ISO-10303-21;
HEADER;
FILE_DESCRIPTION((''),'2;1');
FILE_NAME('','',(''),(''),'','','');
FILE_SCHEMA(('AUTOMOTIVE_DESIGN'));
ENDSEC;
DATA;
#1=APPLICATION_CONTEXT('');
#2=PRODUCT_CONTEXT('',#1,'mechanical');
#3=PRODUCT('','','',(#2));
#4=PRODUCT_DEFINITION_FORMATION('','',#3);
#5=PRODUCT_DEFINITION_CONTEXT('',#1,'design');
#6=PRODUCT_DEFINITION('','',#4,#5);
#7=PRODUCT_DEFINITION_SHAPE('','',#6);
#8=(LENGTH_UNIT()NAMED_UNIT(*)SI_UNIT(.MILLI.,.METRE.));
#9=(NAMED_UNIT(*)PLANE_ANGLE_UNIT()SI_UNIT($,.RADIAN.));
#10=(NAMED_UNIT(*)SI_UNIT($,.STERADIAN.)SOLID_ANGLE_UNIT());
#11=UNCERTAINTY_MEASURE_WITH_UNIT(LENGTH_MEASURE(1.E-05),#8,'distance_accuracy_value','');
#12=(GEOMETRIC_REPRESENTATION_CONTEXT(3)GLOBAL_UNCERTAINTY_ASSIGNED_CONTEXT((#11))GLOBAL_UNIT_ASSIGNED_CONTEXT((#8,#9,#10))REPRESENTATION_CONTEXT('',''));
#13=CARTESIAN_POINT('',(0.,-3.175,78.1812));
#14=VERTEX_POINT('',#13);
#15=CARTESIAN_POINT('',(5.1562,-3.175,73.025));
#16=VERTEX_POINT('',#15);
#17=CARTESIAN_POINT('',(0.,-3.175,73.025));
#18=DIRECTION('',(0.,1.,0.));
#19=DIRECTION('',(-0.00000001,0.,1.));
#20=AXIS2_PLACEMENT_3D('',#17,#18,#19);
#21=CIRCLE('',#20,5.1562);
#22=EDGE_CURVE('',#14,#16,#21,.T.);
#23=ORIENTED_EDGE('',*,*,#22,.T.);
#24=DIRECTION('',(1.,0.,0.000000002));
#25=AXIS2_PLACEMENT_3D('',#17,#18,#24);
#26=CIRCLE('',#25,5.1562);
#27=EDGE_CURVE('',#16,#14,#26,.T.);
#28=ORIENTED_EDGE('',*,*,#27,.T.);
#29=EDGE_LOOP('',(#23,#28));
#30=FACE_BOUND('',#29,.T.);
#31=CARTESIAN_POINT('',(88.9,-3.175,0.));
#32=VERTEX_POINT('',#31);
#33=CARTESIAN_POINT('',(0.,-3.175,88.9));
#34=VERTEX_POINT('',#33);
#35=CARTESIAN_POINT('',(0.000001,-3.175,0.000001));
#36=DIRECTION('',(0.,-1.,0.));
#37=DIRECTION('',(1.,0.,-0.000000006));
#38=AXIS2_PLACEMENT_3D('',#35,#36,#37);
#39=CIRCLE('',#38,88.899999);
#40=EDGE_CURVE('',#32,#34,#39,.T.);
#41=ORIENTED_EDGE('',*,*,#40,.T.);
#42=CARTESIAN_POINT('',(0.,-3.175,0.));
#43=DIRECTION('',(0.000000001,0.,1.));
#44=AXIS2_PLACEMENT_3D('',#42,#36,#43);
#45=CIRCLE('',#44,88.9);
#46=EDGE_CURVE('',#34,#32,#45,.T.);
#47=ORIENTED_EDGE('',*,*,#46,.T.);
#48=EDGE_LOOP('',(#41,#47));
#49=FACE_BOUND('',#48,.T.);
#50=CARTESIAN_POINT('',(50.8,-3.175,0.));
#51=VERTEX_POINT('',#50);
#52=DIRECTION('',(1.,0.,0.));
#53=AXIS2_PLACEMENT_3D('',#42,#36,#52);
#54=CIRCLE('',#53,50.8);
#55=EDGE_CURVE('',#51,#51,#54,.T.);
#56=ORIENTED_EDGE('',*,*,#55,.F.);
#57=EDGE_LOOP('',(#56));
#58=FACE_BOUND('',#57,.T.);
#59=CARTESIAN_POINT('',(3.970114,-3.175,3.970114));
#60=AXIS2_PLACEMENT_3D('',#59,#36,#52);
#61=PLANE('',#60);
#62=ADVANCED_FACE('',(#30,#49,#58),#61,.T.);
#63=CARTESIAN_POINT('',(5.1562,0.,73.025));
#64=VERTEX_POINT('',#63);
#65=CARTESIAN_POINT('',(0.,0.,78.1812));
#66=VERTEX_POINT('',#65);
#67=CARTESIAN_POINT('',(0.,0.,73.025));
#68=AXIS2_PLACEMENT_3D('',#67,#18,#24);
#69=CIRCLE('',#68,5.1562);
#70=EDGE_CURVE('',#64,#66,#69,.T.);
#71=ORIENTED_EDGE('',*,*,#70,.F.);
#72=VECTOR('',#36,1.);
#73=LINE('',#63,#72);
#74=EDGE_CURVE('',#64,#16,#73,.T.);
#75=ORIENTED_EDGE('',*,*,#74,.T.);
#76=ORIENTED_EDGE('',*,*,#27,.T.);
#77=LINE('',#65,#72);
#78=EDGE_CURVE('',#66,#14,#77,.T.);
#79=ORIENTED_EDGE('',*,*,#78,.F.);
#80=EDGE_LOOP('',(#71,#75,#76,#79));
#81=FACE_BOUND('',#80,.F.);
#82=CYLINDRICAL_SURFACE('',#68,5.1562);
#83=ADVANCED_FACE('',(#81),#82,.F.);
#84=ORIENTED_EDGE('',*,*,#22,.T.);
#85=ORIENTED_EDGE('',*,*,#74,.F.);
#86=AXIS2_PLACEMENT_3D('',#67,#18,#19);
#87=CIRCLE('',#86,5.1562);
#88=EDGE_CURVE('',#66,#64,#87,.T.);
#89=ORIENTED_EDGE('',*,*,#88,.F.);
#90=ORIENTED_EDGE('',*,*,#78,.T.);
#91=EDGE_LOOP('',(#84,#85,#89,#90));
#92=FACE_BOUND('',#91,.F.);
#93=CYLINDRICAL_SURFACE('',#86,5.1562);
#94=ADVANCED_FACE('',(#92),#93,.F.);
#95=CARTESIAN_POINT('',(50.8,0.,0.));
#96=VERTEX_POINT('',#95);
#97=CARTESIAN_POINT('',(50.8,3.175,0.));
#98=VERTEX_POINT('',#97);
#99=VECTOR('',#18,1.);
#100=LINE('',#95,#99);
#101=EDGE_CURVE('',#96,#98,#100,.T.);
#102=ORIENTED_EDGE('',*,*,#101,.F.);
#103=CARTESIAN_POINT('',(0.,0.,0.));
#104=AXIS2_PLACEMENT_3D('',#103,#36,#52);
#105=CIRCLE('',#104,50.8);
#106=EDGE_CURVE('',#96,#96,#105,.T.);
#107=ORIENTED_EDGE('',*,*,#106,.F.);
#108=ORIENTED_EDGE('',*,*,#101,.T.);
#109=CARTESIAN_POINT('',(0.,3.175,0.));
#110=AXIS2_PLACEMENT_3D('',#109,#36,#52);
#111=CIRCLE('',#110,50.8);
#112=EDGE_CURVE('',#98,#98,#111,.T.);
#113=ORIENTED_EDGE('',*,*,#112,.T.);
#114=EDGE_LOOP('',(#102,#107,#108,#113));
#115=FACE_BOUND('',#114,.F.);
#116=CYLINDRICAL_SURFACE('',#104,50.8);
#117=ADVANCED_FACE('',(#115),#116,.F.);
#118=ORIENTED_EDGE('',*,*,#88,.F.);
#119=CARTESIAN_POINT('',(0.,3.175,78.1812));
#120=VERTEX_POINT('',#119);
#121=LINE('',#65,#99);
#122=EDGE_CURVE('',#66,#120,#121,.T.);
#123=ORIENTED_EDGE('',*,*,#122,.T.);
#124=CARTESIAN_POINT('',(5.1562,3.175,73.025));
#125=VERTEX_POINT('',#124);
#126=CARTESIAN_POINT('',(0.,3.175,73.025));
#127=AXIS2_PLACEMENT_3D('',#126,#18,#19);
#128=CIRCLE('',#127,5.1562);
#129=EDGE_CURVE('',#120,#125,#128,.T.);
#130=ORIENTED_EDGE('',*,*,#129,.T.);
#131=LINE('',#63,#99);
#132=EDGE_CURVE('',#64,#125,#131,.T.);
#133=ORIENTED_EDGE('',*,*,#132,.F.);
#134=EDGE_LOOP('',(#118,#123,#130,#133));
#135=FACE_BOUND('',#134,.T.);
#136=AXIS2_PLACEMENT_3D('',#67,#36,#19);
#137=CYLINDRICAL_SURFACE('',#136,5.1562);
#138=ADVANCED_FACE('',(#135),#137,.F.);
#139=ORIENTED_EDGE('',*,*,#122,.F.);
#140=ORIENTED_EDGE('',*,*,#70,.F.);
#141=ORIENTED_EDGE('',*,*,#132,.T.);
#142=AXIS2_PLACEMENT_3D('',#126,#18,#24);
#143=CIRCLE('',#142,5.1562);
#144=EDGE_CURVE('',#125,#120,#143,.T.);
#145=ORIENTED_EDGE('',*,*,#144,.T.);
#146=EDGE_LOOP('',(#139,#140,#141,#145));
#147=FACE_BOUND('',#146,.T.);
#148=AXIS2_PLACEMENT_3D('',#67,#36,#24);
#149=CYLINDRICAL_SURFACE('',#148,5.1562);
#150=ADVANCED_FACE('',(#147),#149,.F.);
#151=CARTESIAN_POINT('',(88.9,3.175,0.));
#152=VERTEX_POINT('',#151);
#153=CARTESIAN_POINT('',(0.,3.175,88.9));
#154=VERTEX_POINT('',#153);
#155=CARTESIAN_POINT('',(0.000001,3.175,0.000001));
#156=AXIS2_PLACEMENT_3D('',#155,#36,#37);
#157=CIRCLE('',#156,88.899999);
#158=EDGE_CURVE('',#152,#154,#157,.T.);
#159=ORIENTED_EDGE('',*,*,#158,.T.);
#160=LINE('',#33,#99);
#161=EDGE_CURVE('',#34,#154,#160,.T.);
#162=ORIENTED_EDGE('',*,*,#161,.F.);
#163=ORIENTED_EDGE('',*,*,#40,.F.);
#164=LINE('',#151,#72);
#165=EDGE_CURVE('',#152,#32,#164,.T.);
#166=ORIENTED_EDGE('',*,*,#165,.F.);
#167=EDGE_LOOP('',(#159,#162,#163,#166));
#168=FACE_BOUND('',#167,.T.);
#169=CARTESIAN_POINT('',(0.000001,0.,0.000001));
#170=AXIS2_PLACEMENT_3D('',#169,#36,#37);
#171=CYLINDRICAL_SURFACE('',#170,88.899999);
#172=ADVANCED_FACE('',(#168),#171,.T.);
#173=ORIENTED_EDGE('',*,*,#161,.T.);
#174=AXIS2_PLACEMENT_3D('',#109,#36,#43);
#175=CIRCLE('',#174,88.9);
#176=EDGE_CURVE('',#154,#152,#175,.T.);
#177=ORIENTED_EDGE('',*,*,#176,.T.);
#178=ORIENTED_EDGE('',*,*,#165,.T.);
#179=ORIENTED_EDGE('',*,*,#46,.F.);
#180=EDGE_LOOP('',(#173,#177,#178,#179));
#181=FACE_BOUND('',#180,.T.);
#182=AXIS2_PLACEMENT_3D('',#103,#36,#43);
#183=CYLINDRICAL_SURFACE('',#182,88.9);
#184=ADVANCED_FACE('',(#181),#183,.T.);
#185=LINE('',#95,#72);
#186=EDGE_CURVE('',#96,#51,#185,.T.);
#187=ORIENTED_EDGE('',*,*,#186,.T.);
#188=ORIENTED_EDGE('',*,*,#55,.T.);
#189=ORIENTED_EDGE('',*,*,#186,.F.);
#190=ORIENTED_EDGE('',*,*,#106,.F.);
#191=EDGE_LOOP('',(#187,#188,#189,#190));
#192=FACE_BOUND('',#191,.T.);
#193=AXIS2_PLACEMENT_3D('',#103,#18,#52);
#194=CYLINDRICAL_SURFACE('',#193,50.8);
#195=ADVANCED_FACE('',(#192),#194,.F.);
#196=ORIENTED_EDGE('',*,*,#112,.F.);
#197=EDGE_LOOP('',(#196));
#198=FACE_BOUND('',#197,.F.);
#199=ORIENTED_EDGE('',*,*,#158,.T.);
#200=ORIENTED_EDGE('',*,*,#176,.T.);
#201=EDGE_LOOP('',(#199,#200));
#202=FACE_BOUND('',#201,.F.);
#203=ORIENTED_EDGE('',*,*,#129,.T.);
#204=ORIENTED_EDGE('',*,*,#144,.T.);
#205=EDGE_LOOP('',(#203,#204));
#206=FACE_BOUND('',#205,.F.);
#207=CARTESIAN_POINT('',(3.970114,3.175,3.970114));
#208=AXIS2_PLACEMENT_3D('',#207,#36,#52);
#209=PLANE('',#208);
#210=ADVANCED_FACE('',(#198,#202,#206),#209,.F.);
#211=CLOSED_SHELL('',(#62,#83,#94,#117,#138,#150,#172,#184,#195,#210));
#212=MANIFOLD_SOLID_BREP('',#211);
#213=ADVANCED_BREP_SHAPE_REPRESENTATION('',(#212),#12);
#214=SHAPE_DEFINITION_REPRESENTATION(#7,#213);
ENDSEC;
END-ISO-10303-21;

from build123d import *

# Parameters (mm, degrees)
F0_R     = 50.8
F1_DEPTH = 3.175


with BuildPart() as f1:
    # F0 (on Front) → F1 (new body, symmetric)
    with BuildSketch(Plane.XZ):
        with BuildLine():
            ThreePointArc((0, 88.9), (-62.861793, -62.861793), (88.9, 0))
            ThreePointArc((88.9, 0), (62.861793, 62.861793), (0, 88.9))
        make_face()
        Circle(F0_R, mode=Mode.SUBTRACT)
        with BuildLine():
            ThreePointArc((5.1562, 73.025), (-3.645984, 69.379016), (0, 78.1812))
            ThreePointArc((0, 78.1812), (3.645984, 76.670984), (5.1562, 73.025))
        make_face(mode=Mode.SUBTRACT)
    extrude(amount=F1_DEPTH, both=True)


solid = f1.part
